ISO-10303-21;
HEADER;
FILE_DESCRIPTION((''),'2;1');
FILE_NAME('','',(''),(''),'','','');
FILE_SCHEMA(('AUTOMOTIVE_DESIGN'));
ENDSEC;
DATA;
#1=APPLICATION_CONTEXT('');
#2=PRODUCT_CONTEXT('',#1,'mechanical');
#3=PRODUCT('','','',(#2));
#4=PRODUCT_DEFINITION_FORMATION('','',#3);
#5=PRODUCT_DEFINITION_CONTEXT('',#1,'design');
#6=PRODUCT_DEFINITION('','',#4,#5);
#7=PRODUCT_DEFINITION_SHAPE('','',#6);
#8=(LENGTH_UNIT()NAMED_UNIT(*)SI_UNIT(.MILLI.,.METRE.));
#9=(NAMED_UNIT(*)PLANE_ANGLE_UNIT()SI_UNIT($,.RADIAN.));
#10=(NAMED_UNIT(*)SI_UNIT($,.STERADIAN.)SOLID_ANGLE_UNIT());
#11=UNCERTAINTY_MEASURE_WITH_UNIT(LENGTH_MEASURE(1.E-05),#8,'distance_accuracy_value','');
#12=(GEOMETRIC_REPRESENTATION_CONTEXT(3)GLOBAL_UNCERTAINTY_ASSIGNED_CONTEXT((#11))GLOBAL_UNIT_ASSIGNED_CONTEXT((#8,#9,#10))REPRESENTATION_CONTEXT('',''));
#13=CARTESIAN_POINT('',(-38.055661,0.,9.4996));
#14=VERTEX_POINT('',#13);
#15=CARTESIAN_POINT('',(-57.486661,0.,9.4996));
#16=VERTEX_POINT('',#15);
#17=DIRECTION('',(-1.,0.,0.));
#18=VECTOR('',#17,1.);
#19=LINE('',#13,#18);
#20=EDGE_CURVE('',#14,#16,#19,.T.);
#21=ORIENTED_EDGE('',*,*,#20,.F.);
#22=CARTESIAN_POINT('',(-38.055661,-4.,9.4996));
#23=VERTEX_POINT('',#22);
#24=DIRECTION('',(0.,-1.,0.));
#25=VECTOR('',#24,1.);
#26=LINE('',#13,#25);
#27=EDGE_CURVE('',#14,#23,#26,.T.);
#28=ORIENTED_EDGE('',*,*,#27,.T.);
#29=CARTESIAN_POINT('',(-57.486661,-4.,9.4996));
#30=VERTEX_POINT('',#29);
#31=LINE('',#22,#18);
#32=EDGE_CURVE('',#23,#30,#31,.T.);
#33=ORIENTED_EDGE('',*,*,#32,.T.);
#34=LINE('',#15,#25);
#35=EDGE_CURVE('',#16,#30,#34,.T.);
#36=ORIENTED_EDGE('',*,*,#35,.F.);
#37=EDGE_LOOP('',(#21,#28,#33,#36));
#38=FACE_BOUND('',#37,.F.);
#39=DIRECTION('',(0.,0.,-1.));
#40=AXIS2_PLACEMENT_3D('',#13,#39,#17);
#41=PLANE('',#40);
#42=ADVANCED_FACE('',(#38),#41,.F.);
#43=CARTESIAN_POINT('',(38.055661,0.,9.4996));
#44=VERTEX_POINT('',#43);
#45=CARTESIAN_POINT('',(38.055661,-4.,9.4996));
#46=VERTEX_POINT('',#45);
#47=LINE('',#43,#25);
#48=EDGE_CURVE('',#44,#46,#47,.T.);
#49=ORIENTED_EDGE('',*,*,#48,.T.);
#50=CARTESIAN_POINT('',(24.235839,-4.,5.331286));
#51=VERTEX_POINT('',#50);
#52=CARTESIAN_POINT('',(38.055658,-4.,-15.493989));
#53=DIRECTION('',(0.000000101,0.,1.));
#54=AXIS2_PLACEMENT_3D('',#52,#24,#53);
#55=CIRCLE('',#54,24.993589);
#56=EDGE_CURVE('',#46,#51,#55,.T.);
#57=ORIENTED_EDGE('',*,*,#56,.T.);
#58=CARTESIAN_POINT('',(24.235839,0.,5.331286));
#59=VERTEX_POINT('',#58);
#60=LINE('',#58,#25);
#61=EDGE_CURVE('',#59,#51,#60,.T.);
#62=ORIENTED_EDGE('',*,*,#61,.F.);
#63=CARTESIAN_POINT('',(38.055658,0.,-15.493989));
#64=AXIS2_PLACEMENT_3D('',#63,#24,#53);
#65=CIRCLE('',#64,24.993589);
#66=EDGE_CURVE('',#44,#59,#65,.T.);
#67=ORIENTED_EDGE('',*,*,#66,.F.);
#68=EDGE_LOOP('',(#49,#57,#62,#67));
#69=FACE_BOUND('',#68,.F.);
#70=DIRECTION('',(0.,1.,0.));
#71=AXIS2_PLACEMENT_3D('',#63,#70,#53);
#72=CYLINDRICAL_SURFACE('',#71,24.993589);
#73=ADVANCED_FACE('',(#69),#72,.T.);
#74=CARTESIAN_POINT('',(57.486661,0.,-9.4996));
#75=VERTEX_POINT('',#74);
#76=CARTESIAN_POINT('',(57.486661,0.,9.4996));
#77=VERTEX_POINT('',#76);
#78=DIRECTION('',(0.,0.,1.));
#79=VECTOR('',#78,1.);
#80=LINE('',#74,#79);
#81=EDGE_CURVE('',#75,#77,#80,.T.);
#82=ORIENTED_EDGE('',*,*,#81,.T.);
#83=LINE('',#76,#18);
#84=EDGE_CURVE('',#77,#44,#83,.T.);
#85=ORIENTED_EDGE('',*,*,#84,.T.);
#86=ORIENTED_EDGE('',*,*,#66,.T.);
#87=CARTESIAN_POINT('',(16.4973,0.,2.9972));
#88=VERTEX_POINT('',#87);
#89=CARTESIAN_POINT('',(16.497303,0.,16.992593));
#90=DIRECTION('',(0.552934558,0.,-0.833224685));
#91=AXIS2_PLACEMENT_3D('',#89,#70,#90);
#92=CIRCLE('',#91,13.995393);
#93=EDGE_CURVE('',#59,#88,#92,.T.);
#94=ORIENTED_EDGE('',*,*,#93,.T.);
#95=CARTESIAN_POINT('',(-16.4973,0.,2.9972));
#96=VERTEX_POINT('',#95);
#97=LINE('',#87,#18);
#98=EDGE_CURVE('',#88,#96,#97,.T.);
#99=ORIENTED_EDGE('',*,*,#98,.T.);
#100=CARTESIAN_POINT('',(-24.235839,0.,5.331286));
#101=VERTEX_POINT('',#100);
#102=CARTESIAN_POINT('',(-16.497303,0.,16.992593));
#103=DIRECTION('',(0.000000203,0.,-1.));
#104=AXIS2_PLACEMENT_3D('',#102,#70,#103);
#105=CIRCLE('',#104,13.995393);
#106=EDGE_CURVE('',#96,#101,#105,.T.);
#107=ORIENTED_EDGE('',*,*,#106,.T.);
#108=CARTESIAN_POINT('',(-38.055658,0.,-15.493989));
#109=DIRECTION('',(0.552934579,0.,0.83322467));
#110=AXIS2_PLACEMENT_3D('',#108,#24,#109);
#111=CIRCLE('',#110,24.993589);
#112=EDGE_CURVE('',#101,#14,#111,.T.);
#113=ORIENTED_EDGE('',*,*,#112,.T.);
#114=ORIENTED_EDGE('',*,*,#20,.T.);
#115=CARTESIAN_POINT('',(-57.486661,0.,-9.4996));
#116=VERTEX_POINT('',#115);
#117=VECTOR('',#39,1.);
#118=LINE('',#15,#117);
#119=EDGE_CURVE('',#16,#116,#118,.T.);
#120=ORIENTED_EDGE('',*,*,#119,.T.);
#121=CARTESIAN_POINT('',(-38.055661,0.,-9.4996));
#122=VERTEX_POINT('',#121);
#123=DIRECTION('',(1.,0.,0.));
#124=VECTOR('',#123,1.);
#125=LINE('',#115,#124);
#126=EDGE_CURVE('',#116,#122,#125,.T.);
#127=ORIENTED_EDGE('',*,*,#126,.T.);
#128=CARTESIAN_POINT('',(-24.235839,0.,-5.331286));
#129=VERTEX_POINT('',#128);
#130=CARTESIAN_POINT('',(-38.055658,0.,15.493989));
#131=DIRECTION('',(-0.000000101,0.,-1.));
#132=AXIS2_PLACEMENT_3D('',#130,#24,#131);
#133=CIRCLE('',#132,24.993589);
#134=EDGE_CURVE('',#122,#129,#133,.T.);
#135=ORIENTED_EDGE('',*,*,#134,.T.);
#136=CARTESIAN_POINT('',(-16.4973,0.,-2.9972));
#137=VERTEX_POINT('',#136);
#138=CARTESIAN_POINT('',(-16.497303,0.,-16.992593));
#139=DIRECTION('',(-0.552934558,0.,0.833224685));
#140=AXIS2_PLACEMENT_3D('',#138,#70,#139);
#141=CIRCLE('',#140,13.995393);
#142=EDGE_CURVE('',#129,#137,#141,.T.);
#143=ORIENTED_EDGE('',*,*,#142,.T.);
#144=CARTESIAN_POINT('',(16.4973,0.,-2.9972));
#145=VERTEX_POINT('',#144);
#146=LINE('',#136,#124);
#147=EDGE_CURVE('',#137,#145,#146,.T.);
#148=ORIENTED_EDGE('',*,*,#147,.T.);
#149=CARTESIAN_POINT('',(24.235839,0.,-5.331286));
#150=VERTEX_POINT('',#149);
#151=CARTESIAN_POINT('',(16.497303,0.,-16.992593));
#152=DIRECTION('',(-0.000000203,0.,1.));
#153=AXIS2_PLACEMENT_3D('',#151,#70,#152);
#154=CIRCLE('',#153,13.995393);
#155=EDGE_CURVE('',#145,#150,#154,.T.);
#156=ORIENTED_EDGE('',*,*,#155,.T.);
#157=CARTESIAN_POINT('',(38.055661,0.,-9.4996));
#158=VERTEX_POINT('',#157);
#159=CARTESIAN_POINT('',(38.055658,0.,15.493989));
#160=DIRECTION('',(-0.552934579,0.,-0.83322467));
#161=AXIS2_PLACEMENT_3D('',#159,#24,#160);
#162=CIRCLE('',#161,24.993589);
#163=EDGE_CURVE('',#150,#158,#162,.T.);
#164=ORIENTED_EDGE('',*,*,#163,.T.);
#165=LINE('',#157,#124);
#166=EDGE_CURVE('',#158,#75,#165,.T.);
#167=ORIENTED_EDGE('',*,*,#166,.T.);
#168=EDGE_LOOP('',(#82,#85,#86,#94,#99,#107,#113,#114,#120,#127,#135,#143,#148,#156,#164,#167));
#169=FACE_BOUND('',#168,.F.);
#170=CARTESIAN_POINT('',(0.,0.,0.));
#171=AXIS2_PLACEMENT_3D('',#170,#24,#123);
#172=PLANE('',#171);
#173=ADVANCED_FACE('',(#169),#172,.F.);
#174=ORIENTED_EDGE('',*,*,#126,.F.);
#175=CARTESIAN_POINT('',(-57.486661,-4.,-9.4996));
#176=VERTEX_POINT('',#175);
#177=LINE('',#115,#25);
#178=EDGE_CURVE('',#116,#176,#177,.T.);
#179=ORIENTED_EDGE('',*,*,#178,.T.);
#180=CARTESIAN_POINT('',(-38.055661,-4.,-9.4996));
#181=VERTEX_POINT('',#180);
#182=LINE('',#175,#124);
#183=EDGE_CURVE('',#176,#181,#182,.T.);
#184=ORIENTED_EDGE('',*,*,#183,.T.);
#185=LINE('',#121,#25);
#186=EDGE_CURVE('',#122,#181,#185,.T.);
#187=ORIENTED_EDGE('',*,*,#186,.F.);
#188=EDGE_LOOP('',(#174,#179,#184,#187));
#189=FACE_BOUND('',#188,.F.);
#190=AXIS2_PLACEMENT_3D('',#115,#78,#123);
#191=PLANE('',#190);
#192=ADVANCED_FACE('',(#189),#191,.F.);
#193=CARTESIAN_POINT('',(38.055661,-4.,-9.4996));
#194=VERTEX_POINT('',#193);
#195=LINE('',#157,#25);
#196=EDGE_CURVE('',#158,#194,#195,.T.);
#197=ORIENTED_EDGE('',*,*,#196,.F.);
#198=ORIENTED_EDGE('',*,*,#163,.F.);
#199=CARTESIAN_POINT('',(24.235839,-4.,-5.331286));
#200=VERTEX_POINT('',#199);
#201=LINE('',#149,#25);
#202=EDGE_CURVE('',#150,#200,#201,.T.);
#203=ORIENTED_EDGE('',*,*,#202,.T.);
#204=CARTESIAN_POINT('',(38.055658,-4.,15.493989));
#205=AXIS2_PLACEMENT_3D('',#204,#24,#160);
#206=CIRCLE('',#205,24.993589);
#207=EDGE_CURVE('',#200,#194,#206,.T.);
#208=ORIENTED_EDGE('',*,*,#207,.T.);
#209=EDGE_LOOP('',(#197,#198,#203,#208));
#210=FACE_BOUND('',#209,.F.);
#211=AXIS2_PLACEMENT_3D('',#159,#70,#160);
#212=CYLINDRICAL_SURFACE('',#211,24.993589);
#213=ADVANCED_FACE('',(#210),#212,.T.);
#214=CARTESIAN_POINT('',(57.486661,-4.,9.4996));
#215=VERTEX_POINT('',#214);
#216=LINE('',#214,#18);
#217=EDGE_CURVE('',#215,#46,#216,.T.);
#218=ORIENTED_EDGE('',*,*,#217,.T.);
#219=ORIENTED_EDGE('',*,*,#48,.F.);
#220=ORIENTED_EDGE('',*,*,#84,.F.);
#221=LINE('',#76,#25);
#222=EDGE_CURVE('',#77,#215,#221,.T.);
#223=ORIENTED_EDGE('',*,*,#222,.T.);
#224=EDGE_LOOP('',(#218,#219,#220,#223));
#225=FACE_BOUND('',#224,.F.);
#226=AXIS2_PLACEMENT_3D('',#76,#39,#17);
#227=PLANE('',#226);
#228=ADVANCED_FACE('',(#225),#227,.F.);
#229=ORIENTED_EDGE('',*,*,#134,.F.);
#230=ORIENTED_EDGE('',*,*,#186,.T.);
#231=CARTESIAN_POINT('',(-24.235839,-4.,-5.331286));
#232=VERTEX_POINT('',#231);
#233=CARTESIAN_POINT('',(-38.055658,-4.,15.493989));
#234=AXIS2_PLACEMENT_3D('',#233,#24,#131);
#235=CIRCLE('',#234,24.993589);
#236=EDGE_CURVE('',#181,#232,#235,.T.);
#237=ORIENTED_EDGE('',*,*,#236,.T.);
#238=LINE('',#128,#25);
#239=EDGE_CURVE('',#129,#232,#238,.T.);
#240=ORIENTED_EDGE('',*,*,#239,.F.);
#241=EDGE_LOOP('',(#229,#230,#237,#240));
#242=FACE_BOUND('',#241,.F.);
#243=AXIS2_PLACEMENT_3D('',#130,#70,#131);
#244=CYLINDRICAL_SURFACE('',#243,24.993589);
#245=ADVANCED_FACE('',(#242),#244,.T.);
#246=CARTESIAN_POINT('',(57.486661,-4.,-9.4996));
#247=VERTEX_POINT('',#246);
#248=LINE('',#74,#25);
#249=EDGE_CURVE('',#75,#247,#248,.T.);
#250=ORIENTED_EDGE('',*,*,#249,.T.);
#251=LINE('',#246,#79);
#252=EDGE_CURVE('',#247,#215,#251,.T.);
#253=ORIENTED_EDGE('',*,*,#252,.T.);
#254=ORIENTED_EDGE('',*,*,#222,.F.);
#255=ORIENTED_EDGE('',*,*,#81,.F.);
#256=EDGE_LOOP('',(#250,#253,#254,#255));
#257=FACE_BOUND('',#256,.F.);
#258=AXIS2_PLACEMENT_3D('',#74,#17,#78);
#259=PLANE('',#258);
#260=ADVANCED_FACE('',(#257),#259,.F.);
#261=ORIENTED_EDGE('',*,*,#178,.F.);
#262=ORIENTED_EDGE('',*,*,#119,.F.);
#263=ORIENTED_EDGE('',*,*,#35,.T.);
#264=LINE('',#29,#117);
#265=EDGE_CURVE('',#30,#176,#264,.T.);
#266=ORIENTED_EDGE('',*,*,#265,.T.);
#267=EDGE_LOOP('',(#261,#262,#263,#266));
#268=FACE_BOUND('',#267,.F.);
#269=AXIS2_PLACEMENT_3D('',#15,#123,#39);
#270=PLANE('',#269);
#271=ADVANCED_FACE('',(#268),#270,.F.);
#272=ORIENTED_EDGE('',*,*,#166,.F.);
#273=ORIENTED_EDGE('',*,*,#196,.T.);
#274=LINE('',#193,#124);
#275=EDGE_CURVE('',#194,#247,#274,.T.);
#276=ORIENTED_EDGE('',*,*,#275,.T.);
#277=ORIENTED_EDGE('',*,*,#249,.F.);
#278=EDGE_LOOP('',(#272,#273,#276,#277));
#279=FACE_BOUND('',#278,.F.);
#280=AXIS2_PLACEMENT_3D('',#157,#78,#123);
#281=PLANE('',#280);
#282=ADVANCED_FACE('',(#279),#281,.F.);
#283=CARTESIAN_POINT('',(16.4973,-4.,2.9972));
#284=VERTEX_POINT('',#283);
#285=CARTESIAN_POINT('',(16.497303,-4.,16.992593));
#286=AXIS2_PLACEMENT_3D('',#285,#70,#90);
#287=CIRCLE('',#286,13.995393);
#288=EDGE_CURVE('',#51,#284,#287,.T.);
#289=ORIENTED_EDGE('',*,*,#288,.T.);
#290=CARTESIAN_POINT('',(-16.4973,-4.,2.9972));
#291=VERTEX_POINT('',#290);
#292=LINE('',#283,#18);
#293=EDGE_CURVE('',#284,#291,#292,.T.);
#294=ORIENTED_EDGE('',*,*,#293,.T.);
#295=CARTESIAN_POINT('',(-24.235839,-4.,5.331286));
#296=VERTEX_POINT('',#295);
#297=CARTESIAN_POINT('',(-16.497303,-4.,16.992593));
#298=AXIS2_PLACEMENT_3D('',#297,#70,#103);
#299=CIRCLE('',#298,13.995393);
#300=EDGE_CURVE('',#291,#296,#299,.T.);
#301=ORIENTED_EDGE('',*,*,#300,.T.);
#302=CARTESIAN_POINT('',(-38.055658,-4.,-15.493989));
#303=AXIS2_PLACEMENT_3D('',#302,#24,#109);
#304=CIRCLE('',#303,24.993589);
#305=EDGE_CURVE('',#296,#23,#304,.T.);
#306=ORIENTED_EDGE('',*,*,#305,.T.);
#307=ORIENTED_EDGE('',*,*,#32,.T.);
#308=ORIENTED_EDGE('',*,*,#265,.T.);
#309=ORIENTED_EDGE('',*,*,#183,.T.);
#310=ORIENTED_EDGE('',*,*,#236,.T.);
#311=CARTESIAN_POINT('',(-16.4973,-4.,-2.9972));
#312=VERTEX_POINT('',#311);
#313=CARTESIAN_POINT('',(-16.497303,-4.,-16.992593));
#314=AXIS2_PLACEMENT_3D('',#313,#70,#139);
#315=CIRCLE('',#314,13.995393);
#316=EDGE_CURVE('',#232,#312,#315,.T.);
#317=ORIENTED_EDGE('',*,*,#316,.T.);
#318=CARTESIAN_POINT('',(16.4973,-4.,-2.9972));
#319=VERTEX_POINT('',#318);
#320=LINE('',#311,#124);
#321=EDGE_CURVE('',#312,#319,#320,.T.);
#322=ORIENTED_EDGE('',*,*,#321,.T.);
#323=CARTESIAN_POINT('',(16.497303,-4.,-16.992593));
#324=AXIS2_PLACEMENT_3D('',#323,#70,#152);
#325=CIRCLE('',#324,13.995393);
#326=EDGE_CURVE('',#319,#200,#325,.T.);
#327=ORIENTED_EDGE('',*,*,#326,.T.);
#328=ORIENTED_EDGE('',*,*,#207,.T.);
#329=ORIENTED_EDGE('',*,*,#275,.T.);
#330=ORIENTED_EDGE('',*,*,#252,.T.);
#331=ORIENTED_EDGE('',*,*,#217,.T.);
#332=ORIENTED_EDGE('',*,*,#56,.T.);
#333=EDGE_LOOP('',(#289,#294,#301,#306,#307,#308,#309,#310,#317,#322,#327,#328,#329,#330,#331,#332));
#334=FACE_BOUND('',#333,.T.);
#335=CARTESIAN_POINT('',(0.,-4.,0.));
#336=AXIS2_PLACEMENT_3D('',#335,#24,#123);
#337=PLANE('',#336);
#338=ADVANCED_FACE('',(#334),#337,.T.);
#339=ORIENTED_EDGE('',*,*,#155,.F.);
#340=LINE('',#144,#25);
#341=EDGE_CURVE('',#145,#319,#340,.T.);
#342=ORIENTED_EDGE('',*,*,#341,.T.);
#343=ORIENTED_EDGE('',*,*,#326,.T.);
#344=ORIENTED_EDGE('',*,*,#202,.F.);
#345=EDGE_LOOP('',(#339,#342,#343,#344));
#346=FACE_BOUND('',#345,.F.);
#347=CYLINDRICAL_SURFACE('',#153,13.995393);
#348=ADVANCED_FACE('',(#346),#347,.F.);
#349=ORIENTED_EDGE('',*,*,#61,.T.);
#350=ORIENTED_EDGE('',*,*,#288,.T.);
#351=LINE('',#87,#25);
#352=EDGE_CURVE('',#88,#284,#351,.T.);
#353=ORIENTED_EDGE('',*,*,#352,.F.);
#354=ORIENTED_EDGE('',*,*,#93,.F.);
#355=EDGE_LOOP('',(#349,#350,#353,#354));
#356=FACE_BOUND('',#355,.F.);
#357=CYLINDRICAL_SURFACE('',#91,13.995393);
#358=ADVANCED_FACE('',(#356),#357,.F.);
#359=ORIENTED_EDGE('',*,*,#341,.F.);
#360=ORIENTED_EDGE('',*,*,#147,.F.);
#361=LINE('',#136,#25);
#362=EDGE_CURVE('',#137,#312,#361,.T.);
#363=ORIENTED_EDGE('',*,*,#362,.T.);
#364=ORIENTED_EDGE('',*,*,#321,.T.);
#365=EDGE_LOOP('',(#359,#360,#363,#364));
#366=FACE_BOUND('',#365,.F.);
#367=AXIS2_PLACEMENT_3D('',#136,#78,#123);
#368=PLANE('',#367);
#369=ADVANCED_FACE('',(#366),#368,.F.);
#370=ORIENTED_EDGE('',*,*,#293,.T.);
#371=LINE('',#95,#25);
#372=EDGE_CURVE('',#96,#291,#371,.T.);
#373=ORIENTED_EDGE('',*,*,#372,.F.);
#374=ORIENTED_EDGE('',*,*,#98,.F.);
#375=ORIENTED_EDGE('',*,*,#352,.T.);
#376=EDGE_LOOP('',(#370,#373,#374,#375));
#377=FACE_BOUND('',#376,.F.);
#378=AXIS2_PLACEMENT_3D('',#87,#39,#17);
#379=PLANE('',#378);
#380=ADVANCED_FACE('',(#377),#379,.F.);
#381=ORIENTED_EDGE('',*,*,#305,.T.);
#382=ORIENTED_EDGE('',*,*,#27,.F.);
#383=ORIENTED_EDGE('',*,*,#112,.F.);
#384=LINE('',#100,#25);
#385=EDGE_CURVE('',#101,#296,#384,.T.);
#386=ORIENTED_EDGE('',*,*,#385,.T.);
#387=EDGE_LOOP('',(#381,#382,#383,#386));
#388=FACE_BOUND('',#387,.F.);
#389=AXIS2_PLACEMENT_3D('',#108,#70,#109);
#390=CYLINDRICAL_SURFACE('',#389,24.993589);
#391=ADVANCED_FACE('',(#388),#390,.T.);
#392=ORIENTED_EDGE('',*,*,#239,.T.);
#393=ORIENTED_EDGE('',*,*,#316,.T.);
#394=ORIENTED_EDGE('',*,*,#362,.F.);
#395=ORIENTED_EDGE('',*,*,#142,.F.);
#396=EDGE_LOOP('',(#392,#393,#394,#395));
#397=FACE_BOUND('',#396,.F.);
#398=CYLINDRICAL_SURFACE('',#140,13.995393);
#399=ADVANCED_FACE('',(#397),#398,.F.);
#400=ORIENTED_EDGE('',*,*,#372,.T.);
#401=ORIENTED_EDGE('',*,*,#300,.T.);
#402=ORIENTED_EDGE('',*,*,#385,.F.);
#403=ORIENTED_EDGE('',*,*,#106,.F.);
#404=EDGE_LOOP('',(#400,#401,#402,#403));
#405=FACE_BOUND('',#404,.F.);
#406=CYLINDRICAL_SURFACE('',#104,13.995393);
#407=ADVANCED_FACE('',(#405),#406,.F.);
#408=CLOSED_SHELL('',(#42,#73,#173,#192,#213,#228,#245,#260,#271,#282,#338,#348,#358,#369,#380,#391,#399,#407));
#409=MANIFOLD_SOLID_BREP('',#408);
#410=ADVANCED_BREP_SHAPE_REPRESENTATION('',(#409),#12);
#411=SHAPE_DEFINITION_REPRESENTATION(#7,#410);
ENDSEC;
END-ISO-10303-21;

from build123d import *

# Parameters (mm, degrees)
F1_DEPTH = 4


with BuildPart() as f1:
    # F0 (on Front) → F1 (new body)
    with BuildSketch(Plane.XZ):
        with BuildLine():
            Line((16.4973, 2.9972), (0, 2.9972))
            Line((0, 2.9972), (-16.4973, 2.9972))
            ThreePointArc((-16.4973, 2.9972), (-20.53874, 3.593421), (-24.235839, 5.331286))
            ThreePointArc((-24.235839, 5.331286), (-30.838281, 8.434842), (-38.055661, 9.4996))
            Line((-38.055661, 9.4996), (-57.486661, 9.4996))
            Line((-57.486661, 9.4996), (-57.486661, -9.4996))
            Line((-57.486661, -9.4996), (-38.055661, -9.4996))
            ThreePointArc((-38.055661, -9.4996), (-30.838281, -8.434842), (-24.235839, -5.331286))
            ThreePointArc((-24.235839, -5.331286), (-20.53874, -3.593421), (-16.4973, -2.9972))
            Line((-16.4973, -2.9972), (0, -2.9972))
            Line((0, -2.9972), (16.4973, -2.9972))
            ThreePointArc((16.4973, -2.9972), (20.53874, -3.593421), (24.235839, -5.331286))
            ThreePointArc((24.235839, -5.331286), (30.838281, -8.434842), (38.055661, -9.4996))
            Line((38.055661, -9.4996), (57.486661, -9.4996))
            Line((57.486661, -9.4996), (57.486661, 9.4996))
            Line((57.486661, 9.4996), (38.055661, 9.4996))
            ThreePointArc((38.055661, 9.4996), (30.838281, 8.434842), (24.235839, 5.331286))
            ThreePointArc((24.235839, 5.331286), (20.53874, 3.593421), (16.4973, 2.9972))
        make_face()
    extrude(amount=F1_DEPTH)


solid = f1.part
